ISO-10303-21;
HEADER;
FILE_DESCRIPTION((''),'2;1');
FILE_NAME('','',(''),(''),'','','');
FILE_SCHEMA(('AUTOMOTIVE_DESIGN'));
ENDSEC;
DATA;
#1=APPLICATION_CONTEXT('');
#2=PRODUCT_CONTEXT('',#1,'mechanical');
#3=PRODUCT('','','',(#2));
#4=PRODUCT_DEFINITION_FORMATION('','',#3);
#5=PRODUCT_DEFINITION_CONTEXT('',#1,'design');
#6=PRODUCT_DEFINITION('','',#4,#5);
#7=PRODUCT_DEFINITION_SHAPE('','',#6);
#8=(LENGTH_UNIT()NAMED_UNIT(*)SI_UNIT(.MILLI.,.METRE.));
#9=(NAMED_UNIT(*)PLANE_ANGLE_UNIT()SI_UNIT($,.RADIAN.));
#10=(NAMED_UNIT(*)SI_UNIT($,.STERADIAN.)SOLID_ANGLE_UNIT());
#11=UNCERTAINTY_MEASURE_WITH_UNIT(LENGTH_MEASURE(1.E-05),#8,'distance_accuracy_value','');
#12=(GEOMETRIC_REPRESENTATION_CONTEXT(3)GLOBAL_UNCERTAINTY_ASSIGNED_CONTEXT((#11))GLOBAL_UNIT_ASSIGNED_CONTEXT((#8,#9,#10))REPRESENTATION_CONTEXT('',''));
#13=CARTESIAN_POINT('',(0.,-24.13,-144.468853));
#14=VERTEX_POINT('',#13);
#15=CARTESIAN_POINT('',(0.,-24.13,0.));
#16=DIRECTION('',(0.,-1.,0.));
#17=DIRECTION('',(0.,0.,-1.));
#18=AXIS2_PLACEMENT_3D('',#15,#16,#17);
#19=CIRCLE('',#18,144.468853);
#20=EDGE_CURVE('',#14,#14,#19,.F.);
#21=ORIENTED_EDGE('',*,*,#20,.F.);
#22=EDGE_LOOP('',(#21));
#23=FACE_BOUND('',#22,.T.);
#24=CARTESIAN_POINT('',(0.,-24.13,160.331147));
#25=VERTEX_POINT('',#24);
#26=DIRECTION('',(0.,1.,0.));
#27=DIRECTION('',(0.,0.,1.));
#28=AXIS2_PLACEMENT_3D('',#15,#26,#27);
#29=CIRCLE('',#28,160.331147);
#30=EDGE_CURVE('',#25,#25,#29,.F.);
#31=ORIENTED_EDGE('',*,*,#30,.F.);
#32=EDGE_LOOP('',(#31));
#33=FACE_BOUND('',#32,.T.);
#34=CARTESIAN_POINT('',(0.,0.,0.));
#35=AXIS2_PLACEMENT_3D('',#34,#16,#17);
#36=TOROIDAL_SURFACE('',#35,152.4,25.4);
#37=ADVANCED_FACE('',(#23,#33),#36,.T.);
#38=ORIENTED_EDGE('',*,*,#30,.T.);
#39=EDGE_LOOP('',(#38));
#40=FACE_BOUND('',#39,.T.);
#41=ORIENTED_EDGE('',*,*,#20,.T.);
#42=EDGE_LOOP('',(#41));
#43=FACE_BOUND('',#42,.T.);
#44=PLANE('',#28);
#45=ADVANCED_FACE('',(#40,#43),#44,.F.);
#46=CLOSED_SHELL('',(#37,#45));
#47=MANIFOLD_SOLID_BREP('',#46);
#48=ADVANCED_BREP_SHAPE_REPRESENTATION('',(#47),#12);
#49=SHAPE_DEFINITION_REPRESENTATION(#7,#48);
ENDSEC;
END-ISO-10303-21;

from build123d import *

# Parameters (mm, degrees)
SKETCH1_R          = 25.4
CUT_EXTRUDE1_START = -24.13
SKETCH3_R          = 237.337389824
CUT_EXTRUDE1_DEPTH = 229.596809176


with BuildPart() as part:
    # Sketch1 → Revolve1 (revolve)
    with BuildSketch(Plane.XY, mode=Mode.PRIVATE) as revolve1_sk:
        with Locations((152.4, 0)):
            Circle(SKETCH1_R)
    revolve(revolve1_sk.sketch.rotate(Axis((0, 0, 0), (0, 1, 0)), 90), axis=Axis((0, 0, 0), (0, 1, 0)))

    # Sketch3 → Cut-Extrude1 (cut, through all)
    with BuildSketch(Plane(origin=(0, 0, 0), x_dir=(1, 0, 0), z_dir=(0, 1, 0)).offset(CUT_EXTRUDE1_START)):
        Circle(SKETCH3_R)
    extrude(amount=-CUT_EXTRUDE1_DEPTH, mode=Mode.SUBTRACT)


solid = part.part
